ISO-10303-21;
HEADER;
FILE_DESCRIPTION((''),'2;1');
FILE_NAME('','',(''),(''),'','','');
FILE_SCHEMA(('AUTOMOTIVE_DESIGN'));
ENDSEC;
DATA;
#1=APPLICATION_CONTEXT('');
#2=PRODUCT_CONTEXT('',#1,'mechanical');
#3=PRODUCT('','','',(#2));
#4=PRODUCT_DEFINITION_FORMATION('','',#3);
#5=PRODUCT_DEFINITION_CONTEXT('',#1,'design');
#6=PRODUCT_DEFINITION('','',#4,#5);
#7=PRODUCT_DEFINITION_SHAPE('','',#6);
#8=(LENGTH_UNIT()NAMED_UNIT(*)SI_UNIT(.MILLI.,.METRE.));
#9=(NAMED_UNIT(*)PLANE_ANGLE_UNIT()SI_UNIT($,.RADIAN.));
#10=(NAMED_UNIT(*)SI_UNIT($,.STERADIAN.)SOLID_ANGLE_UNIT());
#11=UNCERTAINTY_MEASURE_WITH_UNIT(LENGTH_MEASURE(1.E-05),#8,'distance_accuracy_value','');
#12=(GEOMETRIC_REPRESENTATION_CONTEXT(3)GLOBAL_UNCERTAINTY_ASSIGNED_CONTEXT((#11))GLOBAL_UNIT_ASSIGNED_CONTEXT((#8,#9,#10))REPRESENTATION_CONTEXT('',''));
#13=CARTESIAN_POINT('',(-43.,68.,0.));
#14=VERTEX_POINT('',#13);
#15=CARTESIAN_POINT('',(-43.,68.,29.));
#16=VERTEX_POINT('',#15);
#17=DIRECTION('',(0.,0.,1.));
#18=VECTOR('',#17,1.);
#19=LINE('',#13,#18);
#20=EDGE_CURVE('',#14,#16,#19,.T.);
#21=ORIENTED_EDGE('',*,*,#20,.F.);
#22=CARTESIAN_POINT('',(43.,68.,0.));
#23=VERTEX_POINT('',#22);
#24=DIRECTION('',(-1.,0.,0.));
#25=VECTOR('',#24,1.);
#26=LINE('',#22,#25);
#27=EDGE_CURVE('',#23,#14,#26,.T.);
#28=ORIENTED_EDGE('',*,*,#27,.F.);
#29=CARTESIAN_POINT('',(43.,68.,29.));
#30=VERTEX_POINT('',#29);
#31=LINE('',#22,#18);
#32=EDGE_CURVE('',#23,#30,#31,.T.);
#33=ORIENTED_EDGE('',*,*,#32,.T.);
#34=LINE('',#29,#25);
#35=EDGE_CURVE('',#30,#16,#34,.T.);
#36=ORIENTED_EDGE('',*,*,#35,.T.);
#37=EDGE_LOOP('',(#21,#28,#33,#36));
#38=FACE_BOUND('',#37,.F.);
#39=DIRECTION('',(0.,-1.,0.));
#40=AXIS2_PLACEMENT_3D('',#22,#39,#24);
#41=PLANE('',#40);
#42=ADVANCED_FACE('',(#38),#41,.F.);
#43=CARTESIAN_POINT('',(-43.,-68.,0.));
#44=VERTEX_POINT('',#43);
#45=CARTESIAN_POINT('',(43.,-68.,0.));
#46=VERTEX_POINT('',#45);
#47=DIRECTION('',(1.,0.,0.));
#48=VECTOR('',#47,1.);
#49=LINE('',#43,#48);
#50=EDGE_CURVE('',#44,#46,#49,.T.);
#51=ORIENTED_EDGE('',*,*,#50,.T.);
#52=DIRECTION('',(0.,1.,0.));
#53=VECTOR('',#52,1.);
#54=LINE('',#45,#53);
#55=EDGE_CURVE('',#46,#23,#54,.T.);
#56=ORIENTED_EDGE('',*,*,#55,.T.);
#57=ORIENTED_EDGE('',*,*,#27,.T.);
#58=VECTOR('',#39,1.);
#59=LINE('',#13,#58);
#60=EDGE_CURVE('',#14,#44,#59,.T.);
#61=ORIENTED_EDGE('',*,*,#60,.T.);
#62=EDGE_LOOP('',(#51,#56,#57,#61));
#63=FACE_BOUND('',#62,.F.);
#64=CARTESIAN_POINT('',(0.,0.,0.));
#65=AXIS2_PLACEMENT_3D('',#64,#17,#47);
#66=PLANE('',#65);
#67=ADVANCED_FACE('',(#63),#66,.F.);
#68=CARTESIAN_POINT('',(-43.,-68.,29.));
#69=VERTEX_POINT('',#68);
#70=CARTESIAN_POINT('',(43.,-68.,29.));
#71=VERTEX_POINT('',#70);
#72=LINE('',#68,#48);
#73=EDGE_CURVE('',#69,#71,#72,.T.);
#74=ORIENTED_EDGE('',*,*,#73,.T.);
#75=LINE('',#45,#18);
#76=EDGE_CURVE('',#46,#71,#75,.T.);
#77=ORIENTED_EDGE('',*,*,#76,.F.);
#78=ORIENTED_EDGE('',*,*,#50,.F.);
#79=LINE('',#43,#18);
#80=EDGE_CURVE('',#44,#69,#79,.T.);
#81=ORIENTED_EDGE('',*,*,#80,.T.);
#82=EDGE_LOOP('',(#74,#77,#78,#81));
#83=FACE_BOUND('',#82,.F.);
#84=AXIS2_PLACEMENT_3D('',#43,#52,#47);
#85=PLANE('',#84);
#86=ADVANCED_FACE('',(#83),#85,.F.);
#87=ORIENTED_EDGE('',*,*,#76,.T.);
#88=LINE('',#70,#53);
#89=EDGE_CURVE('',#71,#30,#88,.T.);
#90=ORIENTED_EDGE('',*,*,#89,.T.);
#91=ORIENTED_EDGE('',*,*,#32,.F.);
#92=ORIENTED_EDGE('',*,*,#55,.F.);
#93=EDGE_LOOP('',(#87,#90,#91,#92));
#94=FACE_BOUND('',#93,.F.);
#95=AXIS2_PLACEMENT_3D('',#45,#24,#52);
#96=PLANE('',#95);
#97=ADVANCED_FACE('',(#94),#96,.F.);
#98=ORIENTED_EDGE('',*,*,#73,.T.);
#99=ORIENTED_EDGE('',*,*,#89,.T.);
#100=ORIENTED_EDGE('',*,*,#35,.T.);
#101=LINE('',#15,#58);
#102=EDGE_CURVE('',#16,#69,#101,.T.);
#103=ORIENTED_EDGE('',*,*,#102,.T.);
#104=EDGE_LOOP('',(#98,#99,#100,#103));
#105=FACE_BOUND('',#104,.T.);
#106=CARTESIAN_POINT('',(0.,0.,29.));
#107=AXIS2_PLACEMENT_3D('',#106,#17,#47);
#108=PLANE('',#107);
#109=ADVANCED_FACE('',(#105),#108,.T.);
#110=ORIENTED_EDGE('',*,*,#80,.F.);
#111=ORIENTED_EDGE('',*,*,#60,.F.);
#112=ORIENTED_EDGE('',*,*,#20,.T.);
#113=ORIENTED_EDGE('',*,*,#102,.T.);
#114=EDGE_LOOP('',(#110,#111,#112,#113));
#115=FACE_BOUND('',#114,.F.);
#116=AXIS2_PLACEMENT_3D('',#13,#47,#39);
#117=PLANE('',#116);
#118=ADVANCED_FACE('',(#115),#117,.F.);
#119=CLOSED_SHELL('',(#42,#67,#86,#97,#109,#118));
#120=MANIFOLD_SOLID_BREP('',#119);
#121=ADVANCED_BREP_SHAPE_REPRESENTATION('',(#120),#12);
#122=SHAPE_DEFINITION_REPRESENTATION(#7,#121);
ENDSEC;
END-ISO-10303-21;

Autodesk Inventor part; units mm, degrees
ref_plane "YZ Plane" through (0, 0, 0) normal (1, 0, 0) x (0, 1, 0)
ref_plane "XZ Plane" through (0, 0, 0) normal (0, 1, 0) x (-1, 0, 0)
ref_plane "XY Plane" through (0, 0, 0) normal (0, 0, 1) x (1, 0, 0)
sketch "スケッチ1" plane through (0, 0, 0) normal (0, 0, 1) x (1, 0, 0)
  line L0 (43, 68) -> (-43, 68)
  line L1 (-43, 68) -> (-43, -68)
  line L2 (-43, -68) -> (43, -68)
  line L3 (43, -68) -> (43, 68)
  line L4 (43, 68) -> (-43, -68) construction
  line L5 (-43, 68) -> (43, -68) construction
  point P0 (0, 0)
  dimension "d0" = 136
  dimension "d1" = 86
extrude "押し出し1" add sketch "スケッチ1" along normal blind 29
properties part number "bisco" material "bisco"
